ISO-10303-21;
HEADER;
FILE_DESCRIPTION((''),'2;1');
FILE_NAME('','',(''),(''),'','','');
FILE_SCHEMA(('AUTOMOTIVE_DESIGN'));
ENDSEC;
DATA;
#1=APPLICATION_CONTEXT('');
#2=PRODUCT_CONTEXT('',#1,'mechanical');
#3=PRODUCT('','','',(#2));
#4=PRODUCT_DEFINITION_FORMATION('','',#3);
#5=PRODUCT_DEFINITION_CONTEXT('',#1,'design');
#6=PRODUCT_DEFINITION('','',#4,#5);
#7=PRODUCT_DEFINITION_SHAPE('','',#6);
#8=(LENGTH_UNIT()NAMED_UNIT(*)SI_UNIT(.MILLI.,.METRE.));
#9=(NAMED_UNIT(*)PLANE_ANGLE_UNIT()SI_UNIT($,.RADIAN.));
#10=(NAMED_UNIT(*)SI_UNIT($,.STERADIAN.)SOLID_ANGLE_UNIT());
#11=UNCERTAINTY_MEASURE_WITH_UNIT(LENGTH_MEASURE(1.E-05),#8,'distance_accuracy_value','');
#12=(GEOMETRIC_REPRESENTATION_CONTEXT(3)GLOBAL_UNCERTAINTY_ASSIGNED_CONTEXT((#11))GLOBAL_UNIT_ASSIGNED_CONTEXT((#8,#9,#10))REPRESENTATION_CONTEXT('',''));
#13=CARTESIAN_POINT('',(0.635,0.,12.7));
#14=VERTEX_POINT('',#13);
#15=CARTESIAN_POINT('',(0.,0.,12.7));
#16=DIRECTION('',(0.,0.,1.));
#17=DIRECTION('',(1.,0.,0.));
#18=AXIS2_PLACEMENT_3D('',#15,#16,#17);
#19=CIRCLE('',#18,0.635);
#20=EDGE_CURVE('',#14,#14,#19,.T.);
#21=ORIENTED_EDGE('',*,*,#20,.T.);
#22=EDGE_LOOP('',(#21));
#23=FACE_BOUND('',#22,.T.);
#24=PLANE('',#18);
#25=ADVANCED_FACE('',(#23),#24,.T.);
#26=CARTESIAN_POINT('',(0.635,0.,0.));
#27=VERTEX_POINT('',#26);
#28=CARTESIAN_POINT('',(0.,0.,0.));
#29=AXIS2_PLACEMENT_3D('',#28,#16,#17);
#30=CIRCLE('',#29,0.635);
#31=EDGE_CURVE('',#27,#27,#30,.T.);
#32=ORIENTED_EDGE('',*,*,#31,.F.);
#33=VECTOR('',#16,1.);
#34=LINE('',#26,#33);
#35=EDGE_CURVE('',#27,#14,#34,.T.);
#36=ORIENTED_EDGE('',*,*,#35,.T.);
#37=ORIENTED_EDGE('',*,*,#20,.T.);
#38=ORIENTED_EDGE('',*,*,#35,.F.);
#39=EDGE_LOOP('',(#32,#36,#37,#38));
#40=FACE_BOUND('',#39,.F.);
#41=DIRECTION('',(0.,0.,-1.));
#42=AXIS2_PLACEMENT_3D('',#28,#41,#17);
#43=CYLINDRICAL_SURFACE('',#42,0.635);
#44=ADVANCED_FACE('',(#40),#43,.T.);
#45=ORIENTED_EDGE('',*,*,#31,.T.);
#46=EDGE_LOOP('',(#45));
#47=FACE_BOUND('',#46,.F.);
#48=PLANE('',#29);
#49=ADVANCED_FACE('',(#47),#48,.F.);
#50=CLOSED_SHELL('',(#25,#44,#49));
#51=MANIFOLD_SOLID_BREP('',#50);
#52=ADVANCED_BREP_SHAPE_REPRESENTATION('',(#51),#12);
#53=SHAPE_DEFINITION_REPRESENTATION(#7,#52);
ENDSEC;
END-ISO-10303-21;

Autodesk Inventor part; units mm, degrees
ref_plane "YZ Plane" through (0, 0, 0) normal (1, 0, 0) x (0, 1, 0)
ref_plane "XZ Plane" through (0, 0, 0) normal (0, 1, 0) x (-1, 0, 0)
ref_plane "XY Plane" through (0, 0, 0) normal (0, 0, 1) x (1, 0, 0)
sketch "Sketch1" plane through (0, 0, 0) normal (0, 0, 1) x (1, 0, 0)
  circle A0 centre (0, 0) radius 0.635
  dimension "d0" = 1.27
extrude "Extrusion1" add sketch "Sketch1" along normal blind 12.7
properties part number "Wire_Brown"
